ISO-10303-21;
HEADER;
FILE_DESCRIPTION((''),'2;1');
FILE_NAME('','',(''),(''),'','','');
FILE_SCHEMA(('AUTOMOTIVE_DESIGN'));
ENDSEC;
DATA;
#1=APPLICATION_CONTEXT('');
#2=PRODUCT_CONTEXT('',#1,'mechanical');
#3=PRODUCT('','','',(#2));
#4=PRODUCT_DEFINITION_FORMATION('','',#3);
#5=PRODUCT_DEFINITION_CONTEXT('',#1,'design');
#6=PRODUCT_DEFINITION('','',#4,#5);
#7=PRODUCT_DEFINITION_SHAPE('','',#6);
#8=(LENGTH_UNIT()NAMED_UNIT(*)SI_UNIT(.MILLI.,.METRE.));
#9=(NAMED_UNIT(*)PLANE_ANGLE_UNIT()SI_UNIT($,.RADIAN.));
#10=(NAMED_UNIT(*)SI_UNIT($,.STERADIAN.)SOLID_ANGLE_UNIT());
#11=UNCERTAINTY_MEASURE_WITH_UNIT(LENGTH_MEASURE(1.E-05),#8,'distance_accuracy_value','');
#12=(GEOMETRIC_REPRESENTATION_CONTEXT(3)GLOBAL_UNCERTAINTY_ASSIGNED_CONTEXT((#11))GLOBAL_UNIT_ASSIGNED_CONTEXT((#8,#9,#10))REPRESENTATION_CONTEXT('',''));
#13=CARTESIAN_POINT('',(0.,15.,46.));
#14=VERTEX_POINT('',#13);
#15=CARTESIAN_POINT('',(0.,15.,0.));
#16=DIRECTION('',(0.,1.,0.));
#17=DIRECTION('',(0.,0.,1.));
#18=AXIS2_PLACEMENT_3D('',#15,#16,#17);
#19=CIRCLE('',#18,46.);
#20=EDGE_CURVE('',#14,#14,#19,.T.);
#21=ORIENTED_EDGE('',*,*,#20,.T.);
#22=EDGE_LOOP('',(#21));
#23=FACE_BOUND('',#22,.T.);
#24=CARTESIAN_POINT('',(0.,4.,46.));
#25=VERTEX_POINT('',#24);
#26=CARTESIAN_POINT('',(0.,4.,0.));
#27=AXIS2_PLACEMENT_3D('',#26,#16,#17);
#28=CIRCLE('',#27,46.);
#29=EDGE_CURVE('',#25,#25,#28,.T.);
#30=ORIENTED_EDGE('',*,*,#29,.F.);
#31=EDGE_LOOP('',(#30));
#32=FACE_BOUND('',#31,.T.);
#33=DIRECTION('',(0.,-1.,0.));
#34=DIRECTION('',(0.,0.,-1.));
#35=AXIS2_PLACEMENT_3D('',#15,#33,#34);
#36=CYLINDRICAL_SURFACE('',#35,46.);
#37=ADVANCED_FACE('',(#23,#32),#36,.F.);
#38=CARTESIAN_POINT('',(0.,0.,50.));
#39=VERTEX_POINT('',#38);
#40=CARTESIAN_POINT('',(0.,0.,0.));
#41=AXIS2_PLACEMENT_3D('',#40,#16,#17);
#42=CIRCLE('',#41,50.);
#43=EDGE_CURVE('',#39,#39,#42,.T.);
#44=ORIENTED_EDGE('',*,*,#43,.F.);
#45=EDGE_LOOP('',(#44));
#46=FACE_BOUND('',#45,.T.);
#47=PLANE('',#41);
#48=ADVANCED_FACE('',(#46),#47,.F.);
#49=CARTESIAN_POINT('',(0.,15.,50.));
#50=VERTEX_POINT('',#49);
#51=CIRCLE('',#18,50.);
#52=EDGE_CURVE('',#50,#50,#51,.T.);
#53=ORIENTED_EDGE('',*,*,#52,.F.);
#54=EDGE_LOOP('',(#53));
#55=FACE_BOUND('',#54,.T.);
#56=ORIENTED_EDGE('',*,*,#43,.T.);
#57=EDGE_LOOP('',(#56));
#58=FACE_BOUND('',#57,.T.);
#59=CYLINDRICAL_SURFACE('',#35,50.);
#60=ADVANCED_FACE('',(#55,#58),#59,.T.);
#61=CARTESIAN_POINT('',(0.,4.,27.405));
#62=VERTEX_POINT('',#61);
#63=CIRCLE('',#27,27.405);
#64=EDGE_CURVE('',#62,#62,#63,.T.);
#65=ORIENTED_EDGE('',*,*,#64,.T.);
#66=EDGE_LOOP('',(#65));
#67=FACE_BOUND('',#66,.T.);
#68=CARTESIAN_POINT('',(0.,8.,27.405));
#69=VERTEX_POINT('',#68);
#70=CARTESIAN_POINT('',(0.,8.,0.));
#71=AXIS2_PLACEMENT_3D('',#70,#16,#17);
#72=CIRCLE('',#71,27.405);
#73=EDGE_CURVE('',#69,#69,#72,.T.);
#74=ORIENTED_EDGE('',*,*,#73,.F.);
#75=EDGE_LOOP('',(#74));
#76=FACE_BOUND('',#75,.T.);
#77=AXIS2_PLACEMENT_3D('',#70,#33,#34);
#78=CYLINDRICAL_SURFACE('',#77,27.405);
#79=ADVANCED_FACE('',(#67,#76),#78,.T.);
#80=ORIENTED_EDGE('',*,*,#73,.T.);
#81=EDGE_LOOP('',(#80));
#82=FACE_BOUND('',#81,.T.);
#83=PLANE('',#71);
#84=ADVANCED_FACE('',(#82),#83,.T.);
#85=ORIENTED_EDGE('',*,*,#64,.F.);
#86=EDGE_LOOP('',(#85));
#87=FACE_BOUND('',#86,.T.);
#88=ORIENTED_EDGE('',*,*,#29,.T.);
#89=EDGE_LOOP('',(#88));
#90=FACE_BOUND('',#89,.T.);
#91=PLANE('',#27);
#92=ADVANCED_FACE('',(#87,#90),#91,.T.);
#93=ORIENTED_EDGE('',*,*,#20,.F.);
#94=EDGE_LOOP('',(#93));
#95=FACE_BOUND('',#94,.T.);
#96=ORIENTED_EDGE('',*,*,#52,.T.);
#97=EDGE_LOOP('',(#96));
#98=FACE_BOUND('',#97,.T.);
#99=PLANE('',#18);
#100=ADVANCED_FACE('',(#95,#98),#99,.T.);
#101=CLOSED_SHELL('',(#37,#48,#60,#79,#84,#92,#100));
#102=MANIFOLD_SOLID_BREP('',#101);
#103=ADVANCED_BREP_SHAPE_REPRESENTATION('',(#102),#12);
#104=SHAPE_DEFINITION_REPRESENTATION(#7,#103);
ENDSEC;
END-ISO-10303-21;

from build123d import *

# Parameters (mm, degrees)
SKETCH1_R           = 50
BOSS_EXTRUDE2_DEPTH = 15
SHELL1_T            = -4
SKETCH3_R           = 27.405
BOSS_EXTRUDE3_DEPTH = 4


with BuildPart() as part:
    # Sketch1 → Boss-Extrude2 (new body)
    with BuildSketch(Plane(origin=(0, 0, 0), x_dir=(1, 0, 0), z_dir=(0, 1, 0))):
        with Locations(Location((0, 0, 0), (0, 0, 270))):
            Circle(SKETCH1_R)
    extrude(amount=BOSS_EXTRUDE2_DEPTH)

    # Shell1
    shell1_openings = [part.faces().sort_by_distance(p)[0] for p in [
        (0, 15, 0),
    ]]
    offset(amount=SHELL1_T, openings=shell1_openings, kind=Kind.INTERSECTION)

    # Sketch3 → Boss-Extrude3 (add)
    with BuildSketch(Plane(origin=(0, 4, 0), x_dir=(1, 0, 0), z_dir=(0, 1, 0))):
        with Locations(Location((0, 0, 0), (0, 0, 270))):
            Circle(SKETCH3_R)
    extrude(amount=BOSS_EXTRUDE3_DEPTH)


solid = part.part
